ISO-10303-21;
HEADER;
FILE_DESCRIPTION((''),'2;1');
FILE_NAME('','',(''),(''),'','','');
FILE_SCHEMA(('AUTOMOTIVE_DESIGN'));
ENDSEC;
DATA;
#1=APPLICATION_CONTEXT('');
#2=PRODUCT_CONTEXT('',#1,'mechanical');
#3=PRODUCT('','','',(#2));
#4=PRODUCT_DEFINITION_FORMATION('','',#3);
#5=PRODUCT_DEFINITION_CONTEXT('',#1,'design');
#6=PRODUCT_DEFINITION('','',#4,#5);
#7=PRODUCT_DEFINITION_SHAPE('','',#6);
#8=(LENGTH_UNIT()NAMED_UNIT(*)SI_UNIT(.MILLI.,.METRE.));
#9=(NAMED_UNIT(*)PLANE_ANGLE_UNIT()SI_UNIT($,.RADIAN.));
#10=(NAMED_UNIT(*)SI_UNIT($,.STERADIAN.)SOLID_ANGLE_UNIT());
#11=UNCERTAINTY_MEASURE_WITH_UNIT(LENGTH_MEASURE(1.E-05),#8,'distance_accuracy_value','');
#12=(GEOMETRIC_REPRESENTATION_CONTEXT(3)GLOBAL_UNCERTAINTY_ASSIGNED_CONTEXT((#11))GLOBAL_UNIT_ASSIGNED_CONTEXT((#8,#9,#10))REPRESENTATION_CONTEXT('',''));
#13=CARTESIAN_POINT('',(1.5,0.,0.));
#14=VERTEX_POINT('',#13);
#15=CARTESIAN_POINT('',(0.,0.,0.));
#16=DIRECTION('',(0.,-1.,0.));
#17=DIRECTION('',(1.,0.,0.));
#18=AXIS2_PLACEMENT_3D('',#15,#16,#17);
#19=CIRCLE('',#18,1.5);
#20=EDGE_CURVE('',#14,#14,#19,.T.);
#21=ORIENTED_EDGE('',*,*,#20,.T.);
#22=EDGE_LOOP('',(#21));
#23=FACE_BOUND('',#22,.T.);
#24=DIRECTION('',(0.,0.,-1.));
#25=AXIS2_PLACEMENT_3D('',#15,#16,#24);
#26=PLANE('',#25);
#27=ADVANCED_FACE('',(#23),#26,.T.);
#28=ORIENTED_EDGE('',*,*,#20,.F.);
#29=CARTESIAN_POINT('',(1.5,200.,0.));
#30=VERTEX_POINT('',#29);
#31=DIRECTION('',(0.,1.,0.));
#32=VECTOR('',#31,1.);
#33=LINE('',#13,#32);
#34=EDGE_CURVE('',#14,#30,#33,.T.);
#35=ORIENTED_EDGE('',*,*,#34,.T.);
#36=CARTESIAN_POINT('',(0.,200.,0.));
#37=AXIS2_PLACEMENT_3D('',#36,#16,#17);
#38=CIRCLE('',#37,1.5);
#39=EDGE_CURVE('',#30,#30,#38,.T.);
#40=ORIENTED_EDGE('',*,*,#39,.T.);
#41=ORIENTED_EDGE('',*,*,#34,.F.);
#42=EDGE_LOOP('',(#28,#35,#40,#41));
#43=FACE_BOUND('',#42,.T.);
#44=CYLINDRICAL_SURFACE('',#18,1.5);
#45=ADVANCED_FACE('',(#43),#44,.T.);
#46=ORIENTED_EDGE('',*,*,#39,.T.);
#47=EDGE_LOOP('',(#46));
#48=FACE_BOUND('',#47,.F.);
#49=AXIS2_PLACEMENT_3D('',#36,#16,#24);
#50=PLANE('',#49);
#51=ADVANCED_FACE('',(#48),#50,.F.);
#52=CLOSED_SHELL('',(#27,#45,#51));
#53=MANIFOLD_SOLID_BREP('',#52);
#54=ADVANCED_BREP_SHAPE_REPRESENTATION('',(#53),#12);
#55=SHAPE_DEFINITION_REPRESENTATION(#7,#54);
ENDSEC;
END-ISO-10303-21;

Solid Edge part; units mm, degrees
sketch "Sketch1" plane through (0, 0, 0) normal (0, -1, 0) x (1, 0, 0)
  circle A0 centre (0, 0) radius 1.5
extrude "Protrusion1" add sketch "Sketch1" against normal blind 200
